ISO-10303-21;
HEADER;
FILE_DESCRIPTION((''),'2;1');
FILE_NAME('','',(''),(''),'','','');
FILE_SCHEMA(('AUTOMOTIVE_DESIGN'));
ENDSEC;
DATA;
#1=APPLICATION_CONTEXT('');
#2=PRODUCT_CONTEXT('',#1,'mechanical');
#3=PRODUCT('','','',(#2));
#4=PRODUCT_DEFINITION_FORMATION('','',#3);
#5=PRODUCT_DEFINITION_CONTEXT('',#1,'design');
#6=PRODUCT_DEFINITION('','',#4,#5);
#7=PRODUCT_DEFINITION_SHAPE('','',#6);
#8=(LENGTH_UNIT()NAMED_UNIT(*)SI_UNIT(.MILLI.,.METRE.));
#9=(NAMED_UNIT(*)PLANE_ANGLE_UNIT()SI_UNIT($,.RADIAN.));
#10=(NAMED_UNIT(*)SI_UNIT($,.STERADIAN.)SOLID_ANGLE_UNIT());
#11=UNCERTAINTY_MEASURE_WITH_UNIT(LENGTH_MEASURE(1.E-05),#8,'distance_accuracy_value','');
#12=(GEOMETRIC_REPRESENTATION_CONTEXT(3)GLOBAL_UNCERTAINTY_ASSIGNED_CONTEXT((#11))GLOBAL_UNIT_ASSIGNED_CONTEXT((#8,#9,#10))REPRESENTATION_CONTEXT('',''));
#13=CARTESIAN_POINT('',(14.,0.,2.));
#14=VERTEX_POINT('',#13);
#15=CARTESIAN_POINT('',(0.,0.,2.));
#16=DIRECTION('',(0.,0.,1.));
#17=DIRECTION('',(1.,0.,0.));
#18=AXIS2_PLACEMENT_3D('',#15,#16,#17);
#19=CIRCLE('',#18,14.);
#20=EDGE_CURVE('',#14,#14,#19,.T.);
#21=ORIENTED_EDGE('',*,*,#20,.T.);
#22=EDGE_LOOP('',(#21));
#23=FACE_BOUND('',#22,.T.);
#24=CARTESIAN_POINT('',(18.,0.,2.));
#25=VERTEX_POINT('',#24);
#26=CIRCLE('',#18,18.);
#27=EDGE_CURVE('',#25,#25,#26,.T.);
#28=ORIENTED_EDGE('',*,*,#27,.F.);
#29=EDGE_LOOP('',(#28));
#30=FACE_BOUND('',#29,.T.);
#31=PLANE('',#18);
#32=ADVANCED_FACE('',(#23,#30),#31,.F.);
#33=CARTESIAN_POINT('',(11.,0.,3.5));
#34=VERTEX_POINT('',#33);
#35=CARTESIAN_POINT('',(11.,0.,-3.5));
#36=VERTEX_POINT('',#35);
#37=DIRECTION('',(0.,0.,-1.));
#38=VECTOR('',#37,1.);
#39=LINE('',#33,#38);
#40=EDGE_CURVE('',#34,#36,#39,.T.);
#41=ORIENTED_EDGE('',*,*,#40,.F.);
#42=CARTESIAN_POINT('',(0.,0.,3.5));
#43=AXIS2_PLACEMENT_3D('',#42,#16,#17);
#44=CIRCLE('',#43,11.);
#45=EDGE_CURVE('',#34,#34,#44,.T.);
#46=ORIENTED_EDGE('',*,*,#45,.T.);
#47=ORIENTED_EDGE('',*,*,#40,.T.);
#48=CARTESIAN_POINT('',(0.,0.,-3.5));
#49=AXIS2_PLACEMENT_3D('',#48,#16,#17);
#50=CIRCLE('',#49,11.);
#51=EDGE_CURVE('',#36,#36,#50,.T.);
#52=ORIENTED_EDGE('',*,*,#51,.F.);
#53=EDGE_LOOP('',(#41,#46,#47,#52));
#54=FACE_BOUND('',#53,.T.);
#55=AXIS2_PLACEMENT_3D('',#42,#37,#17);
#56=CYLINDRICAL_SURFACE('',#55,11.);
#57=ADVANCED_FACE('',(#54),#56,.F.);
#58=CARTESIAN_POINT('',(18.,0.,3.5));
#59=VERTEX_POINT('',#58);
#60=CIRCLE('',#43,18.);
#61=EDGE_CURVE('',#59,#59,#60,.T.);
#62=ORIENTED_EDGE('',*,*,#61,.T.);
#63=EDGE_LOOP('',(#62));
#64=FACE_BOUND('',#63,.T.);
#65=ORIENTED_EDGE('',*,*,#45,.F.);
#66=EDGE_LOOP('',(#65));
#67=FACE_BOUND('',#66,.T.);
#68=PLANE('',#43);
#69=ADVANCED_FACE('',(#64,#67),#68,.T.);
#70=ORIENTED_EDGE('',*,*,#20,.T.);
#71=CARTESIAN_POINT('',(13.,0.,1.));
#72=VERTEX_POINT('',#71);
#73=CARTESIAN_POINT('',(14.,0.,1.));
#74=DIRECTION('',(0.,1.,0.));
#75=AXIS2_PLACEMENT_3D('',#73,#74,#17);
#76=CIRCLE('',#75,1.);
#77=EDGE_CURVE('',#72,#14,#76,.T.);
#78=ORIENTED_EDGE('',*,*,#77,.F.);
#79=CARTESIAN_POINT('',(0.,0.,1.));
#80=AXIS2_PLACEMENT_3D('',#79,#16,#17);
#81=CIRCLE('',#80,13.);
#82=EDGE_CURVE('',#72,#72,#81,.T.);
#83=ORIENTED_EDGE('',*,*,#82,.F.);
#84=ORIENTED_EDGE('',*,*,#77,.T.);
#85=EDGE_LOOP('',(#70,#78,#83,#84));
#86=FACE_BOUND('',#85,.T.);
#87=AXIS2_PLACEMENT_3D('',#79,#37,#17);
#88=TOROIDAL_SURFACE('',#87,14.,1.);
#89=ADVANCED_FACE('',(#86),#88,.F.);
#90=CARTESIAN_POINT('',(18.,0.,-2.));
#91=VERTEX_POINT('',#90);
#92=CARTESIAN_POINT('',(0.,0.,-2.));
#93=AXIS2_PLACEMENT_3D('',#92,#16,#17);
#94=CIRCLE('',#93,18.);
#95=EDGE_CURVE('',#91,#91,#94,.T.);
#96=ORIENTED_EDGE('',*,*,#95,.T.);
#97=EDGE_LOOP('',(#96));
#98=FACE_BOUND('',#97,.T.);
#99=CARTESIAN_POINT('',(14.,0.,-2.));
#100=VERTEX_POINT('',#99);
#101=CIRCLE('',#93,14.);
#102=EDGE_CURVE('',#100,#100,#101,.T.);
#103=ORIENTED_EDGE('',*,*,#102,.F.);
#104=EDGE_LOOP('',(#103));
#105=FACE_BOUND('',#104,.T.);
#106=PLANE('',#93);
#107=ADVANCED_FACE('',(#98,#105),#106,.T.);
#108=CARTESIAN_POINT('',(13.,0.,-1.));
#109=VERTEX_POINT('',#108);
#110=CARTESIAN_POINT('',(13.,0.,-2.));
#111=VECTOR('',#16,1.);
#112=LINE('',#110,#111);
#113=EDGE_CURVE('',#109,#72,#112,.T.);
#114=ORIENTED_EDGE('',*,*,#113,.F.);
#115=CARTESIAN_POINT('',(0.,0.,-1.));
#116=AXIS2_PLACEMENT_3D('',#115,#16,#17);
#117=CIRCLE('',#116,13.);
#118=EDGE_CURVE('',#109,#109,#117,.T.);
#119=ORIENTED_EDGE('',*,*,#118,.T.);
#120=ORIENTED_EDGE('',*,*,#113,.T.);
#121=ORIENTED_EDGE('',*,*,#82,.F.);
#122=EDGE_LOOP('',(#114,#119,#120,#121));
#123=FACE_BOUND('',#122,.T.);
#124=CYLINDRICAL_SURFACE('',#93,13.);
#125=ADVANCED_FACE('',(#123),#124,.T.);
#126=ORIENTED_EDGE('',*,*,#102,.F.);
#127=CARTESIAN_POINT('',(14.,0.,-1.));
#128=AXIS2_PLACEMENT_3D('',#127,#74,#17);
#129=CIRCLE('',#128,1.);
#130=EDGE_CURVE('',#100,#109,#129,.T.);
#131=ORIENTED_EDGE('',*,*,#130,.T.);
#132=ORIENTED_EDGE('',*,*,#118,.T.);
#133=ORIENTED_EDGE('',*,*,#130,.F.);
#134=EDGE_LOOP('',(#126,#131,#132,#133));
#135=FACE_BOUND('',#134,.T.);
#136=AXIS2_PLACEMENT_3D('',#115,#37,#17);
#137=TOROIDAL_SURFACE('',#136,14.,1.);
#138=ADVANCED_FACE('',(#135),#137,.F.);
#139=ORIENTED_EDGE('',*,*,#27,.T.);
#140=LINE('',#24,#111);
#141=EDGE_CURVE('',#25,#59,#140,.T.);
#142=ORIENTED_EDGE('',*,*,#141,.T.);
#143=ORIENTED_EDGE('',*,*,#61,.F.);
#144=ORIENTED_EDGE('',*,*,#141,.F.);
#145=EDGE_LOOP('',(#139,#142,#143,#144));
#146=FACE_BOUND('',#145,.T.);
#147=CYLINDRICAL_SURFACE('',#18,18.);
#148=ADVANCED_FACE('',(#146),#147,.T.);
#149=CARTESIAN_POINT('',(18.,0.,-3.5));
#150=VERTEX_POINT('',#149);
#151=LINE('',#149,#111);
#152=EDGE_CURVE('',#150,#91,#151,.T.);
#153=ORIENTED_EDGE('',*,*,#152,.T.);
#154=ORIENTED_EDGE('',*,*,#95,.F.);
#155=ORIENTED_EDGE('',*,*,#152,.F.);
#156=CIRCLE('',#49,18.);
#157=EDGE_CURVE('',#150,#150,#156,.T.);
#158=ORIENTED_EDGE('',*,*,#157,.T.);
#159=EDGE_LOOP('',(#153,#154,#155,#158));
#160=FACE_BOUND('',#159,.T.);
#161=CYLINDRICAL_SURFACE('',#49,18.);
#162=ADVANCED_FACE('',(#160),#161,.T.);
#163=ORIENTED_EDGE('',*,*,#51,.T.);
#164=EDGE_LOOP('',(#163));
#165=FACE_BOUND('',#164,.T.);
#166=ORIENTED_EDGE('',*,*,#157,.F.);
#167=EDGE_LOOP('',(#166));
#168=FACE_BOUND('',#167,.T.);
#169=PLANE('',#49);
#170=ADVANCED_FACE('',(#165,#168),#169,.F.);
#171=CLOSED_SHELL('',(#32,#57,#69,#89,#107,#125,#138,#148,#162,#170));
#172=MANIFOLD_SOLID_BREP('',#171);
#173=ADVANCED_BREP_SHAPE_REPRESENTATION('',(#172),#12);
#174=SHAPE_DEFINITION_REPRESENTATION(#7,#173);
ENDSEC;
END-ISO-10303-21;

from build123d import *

# Parameters (mm, degrees)
F2_R = 1


with BuildPart() as f1:
    # F0 (on Front) → F1 (revolve)
    with BuildSketch(Plane.XZ):
        Polygon((18, 3.5), (11, 3.5), (11, 0), (11, -3.5), (18, -3.5), (18, -2), (13, -2), (13, 0), (13, 2), (18, 2), align=None)
    revolve(axis=Axis((0, 0, 1.75), (0, 0, 1)))

    # F2
    f2_edges = [f1.edges().sort_by_distance(p)[0] for p in [
        (-13, 0, -2),
        (13, 0, 0),
        (-13, 0, 2),
    ]]
    fillet(f2_edges, radius=F2_R)


solid = f1.part
